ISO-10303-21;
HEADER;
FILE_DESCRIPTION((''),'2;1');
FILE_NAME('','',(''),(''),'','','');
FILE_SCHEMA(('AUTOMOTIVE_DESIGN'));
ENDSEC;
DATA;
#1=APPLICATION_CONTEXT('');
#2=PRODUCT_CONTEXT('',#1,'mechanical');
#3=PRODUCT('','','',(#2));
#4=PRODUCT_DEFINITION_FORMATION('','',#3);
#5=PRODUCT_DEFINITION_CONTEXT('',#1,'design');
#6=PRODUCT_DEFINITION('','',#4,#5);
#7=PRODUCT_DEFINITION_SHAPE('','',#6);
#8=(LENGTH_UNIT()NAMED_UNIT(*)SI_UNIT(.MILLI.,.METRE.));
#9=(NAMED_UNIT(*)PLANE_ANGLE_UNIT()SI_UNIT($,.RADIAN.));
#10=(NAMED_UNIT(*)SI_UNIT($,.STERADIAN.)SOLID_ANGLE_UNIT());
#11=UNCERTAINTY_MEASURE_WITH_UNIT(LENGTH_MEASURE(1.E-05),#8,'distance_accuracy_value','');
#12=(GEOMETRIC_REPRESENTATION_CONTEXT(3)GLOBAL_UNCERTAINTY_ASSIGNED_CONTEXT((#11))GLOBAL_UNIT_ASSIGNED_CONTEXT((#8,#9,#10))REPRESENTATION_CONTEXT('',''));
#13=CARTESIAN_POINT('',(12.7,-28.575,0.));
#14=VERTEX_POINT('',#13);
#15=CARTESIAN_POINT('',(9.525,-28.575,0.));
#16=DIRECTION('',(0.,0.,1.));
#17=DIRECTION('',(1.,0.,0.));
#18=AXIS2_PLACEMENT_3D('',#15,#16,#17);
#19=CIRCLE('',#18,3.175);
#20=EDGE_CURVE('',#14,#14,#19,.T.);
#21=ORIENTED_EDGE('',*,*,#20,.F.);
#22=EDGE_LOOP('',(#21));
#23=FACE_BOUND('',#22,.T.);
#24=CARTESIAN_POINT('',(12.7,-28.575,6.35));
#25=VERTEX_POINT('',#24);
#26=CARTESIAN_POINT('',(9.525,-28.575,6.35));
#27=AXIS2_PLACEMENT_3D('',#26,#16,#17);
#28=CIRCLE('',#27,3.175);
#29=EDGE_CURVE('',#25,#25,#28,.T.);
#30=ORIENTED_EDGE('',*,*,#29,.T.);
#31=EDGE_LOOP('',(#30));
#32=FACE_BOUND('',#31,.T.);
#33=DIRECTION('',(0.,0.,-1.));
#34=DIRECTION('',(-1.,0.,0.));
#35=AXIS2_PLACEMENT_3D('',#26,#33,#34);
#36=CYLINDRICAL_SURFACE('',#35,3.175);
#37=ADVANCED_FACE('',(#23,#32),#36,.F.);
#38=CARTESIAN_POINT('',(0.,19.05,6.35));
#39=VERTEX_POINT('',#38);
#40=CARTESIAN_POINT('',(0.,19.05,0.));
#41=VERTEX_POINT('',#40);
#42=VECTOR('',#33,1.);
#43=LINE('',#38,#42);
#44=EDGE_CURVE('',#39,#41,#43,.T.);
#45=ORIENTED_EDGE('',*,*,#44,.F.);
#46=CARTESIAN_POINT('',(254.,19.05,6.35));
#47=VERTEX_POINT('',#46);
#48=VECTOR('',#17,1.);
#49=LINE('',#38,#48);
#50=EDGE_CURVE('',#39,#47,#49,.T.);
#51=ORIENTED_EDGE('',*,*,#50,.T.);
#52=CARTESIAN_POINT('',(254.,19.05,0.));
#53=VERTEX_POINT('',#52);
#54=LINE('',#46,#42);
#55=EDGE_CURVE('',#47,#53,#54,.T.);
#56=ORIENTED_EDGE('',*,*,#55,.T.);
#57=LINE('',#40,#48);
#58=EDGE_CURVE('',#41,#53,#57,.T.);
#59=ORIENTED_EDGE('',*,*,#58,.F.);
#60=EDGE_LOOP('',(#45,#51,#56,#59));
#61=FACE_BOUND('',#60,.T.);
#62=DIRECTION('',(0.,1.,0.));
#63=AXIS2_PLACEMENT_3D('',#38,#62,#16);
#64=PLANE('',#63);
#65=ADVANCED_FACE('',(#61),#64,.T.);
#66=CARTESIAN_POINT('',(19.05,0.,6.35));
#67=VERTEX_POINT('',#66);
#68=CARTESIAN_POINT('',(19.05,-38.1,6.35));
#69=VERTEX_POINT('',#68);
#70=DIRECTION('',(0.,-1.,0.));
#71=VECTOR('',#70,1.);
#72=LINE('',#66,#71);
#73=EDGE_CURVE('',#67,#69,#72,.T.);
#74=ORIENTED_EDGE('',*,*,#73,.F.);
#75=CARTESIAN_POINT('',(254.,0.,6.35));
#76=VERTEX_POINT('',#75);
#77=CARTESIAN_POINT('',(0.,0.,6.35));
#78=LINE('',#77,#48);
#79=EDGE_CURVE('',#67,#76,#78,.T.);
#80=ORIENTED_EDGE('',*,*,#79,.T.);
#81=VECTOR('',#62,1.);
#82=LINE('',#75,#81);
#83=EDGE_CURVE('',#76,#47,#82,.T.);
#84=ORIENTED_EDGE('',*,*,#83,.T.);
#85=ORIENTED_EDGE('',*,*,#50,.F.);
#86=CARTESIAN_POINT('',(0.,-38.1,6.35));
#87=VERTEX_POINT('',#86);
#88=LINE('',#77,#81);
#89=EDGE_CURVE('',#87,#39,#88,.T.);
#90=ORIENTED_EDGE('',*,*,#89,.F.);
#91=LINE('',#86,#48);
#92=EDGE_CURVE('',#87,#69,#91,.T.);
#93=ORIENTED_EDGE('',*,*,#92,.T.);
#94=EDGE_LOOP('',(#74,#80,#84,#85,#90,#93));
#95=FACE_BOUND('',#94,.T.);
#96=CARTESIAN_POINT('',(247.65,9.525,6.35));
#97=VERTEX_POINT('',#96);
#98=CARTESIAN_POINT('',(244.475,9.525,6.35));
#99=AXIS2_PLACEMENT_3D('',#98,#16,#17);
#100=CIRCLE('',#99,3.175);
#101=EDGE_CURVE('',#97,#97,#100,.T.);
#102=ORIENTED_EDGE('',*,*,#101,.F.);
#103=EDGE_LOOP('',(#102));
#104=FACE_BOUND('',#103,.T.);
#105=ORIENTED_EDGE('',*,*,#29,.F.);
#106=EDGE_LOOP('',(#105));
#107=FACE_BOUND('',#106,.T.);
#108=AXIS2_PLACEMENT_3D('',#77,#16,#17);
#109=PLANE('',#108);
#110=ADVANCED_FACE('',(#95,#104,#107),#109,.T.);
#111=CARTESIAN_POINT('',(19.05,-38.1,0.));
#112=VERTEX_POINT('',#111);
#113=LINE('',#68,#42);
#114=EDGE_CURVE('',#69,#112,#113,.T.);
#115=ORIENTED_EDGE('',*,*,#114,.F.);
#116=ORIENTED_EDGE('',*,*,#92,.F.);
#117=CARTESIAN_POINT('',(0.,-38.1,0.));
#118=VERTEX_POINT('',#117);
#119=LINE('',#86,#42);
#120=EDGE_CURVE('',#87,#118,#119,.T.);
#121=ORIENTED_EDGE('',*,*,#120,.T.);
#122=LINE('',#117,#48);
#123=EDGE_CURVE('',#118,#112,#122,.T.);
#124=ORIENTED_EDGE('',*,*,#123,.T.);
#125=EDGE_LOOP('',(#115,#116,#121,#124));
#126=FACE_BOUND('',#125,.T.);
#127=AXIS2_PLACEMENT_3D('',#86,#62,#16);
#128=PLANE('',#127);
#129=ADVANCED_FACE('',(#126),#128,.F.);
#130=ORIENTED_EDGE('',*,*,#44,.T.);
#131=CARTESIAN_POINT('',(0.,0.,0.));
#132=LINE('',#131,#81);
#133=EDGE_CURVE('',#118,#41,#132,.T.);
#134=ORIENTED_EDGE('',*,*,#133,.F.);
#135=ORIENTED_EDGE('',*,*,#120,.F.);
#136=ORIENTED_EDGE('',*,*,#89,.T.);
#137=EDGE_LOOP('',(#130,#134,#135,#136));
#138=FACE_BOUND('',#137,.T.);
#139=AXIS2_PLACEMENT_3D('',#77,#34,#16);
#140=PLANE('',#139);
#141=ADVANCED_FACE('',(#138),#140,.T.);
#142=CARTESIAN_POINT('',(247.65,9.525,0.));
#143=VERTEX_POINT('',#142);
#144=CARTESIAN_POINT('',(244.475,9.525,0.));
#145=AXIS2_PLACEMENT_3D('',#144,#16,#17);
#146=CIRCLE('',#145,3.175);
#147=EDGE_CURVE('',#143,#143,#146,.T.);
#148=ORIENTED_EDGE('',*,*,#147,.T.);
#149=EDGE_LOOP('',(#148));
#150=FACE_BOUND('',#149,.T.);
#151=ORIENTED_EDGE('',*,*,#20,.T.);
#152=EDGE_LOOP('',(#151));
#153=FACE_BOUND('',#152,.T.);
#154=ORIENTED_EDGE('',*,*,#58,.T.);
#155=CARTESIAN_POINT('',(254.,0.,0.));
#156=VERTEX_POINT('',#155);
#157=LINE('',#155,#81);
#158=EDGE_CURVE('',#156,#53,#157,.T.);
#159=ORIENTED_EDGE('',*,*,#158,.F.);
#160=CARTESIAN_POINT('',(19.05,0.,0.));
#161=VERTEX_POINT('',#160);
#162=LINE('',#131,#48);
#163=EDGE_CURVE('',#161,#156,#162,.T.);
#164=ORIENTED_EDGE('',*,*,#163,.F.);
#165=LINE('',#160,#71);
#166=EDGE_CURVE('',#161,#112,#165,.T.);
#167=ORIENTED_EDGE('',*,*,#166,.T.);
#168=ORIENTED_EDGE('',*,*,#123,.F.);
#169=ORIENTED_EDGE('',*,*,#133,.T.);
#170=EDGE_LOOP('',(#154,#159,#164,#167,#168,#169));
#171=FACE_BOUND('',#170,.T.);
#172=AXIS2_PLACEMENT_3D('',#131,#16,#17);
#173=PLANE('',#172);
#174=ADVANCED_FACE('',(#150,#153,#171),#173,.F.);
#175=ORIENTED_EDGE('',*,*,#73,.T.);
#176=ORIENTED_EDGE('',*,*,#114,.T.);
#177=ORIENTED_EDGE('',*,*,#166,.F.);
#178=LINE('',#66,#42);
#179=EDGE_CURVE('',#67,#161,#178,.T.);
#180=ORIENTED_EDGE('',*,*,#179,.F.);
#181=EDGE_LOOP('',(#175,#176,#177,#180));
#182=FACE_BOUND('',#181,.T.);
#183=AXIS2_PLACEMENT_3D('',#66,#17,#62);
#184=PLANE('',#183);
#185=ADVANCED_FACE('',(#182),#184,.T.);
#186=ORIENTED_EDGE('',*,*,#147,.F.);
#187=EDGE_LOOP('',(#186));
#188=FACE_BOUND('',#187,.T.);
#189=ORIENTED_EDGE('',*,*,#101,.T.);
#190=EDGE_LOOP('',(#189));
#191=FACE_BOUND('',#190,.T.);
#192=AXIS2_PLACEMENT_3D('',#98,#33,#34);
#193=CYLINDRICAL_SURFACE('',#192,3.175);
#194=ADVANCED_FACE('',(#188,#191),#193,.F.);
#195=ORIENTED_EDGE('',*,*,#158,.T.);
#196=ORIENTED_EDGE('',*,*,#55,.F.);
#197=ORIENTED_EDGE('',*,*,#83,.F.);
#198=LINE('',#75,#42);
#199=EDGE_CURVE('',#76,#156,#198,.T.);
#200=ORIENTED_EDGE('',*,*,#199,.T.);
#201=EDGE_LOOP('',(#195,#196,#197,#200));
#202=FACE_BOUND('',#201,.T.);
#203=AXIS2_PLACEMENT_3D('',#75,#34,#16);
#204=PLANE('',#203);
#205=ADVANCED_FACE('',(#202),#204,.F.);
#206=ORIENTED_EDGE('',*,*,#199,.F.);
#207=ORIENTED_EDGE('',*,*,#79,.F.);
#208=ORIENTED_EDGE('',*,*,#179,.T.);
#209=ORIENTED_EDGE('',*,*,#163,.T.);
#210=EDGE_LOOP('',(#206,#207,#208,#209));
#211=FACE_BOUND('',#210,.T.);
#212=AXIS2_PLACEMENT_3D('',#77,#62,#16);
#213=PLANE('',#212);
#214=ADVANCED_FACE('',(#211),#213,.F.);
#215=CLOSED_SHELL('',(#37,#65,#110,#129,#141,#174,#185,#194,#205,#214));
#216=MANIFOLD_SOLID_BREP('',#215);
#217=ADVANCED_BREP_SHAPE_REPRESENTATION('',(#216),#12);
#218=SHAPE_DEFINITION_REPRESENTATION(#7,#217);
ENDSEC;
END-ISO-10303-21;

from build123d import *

# Parameters (mm, degrees)
SKETCH1_W           = 254
SKETCH1_H           = 19.05
SKETCH1_R           = 3.175
SKETCH1_W_2         = 19.05
SKETCH1_H_2         = 38.1
BOSS_EXTRUDE1_DEPTH = 6.35


with BuildPart() as part:
    # Sketch1 → Boss-Extrude1 (new body)
    # profile 1 of 2: a face of its own
    with BuildSketch(Plane.XY):
        with Locations((127, 9.525)):
            Rectangle(SKETCH1_W, SKETCH1_H)
        with Locations((244.475, 9.525)):
            Circle(SKETCH1_R, mode=Mode.SUBTRACT)
    # profile 2 of 2: a face of its own
    with BuildSketch(Plane.XY):
        with Locations((9.525, -19.05)):
            Rectangle(SKETCH1_W_2, SKETCH1_H_2)
        with Locations((9.525, -28.575)):
            Circle(SKETCH1_R, mode=Mode.SUBTRACT)
    extrude(amount=BOSS_EXTRUDE1_DEPTH)


solid = part.part
